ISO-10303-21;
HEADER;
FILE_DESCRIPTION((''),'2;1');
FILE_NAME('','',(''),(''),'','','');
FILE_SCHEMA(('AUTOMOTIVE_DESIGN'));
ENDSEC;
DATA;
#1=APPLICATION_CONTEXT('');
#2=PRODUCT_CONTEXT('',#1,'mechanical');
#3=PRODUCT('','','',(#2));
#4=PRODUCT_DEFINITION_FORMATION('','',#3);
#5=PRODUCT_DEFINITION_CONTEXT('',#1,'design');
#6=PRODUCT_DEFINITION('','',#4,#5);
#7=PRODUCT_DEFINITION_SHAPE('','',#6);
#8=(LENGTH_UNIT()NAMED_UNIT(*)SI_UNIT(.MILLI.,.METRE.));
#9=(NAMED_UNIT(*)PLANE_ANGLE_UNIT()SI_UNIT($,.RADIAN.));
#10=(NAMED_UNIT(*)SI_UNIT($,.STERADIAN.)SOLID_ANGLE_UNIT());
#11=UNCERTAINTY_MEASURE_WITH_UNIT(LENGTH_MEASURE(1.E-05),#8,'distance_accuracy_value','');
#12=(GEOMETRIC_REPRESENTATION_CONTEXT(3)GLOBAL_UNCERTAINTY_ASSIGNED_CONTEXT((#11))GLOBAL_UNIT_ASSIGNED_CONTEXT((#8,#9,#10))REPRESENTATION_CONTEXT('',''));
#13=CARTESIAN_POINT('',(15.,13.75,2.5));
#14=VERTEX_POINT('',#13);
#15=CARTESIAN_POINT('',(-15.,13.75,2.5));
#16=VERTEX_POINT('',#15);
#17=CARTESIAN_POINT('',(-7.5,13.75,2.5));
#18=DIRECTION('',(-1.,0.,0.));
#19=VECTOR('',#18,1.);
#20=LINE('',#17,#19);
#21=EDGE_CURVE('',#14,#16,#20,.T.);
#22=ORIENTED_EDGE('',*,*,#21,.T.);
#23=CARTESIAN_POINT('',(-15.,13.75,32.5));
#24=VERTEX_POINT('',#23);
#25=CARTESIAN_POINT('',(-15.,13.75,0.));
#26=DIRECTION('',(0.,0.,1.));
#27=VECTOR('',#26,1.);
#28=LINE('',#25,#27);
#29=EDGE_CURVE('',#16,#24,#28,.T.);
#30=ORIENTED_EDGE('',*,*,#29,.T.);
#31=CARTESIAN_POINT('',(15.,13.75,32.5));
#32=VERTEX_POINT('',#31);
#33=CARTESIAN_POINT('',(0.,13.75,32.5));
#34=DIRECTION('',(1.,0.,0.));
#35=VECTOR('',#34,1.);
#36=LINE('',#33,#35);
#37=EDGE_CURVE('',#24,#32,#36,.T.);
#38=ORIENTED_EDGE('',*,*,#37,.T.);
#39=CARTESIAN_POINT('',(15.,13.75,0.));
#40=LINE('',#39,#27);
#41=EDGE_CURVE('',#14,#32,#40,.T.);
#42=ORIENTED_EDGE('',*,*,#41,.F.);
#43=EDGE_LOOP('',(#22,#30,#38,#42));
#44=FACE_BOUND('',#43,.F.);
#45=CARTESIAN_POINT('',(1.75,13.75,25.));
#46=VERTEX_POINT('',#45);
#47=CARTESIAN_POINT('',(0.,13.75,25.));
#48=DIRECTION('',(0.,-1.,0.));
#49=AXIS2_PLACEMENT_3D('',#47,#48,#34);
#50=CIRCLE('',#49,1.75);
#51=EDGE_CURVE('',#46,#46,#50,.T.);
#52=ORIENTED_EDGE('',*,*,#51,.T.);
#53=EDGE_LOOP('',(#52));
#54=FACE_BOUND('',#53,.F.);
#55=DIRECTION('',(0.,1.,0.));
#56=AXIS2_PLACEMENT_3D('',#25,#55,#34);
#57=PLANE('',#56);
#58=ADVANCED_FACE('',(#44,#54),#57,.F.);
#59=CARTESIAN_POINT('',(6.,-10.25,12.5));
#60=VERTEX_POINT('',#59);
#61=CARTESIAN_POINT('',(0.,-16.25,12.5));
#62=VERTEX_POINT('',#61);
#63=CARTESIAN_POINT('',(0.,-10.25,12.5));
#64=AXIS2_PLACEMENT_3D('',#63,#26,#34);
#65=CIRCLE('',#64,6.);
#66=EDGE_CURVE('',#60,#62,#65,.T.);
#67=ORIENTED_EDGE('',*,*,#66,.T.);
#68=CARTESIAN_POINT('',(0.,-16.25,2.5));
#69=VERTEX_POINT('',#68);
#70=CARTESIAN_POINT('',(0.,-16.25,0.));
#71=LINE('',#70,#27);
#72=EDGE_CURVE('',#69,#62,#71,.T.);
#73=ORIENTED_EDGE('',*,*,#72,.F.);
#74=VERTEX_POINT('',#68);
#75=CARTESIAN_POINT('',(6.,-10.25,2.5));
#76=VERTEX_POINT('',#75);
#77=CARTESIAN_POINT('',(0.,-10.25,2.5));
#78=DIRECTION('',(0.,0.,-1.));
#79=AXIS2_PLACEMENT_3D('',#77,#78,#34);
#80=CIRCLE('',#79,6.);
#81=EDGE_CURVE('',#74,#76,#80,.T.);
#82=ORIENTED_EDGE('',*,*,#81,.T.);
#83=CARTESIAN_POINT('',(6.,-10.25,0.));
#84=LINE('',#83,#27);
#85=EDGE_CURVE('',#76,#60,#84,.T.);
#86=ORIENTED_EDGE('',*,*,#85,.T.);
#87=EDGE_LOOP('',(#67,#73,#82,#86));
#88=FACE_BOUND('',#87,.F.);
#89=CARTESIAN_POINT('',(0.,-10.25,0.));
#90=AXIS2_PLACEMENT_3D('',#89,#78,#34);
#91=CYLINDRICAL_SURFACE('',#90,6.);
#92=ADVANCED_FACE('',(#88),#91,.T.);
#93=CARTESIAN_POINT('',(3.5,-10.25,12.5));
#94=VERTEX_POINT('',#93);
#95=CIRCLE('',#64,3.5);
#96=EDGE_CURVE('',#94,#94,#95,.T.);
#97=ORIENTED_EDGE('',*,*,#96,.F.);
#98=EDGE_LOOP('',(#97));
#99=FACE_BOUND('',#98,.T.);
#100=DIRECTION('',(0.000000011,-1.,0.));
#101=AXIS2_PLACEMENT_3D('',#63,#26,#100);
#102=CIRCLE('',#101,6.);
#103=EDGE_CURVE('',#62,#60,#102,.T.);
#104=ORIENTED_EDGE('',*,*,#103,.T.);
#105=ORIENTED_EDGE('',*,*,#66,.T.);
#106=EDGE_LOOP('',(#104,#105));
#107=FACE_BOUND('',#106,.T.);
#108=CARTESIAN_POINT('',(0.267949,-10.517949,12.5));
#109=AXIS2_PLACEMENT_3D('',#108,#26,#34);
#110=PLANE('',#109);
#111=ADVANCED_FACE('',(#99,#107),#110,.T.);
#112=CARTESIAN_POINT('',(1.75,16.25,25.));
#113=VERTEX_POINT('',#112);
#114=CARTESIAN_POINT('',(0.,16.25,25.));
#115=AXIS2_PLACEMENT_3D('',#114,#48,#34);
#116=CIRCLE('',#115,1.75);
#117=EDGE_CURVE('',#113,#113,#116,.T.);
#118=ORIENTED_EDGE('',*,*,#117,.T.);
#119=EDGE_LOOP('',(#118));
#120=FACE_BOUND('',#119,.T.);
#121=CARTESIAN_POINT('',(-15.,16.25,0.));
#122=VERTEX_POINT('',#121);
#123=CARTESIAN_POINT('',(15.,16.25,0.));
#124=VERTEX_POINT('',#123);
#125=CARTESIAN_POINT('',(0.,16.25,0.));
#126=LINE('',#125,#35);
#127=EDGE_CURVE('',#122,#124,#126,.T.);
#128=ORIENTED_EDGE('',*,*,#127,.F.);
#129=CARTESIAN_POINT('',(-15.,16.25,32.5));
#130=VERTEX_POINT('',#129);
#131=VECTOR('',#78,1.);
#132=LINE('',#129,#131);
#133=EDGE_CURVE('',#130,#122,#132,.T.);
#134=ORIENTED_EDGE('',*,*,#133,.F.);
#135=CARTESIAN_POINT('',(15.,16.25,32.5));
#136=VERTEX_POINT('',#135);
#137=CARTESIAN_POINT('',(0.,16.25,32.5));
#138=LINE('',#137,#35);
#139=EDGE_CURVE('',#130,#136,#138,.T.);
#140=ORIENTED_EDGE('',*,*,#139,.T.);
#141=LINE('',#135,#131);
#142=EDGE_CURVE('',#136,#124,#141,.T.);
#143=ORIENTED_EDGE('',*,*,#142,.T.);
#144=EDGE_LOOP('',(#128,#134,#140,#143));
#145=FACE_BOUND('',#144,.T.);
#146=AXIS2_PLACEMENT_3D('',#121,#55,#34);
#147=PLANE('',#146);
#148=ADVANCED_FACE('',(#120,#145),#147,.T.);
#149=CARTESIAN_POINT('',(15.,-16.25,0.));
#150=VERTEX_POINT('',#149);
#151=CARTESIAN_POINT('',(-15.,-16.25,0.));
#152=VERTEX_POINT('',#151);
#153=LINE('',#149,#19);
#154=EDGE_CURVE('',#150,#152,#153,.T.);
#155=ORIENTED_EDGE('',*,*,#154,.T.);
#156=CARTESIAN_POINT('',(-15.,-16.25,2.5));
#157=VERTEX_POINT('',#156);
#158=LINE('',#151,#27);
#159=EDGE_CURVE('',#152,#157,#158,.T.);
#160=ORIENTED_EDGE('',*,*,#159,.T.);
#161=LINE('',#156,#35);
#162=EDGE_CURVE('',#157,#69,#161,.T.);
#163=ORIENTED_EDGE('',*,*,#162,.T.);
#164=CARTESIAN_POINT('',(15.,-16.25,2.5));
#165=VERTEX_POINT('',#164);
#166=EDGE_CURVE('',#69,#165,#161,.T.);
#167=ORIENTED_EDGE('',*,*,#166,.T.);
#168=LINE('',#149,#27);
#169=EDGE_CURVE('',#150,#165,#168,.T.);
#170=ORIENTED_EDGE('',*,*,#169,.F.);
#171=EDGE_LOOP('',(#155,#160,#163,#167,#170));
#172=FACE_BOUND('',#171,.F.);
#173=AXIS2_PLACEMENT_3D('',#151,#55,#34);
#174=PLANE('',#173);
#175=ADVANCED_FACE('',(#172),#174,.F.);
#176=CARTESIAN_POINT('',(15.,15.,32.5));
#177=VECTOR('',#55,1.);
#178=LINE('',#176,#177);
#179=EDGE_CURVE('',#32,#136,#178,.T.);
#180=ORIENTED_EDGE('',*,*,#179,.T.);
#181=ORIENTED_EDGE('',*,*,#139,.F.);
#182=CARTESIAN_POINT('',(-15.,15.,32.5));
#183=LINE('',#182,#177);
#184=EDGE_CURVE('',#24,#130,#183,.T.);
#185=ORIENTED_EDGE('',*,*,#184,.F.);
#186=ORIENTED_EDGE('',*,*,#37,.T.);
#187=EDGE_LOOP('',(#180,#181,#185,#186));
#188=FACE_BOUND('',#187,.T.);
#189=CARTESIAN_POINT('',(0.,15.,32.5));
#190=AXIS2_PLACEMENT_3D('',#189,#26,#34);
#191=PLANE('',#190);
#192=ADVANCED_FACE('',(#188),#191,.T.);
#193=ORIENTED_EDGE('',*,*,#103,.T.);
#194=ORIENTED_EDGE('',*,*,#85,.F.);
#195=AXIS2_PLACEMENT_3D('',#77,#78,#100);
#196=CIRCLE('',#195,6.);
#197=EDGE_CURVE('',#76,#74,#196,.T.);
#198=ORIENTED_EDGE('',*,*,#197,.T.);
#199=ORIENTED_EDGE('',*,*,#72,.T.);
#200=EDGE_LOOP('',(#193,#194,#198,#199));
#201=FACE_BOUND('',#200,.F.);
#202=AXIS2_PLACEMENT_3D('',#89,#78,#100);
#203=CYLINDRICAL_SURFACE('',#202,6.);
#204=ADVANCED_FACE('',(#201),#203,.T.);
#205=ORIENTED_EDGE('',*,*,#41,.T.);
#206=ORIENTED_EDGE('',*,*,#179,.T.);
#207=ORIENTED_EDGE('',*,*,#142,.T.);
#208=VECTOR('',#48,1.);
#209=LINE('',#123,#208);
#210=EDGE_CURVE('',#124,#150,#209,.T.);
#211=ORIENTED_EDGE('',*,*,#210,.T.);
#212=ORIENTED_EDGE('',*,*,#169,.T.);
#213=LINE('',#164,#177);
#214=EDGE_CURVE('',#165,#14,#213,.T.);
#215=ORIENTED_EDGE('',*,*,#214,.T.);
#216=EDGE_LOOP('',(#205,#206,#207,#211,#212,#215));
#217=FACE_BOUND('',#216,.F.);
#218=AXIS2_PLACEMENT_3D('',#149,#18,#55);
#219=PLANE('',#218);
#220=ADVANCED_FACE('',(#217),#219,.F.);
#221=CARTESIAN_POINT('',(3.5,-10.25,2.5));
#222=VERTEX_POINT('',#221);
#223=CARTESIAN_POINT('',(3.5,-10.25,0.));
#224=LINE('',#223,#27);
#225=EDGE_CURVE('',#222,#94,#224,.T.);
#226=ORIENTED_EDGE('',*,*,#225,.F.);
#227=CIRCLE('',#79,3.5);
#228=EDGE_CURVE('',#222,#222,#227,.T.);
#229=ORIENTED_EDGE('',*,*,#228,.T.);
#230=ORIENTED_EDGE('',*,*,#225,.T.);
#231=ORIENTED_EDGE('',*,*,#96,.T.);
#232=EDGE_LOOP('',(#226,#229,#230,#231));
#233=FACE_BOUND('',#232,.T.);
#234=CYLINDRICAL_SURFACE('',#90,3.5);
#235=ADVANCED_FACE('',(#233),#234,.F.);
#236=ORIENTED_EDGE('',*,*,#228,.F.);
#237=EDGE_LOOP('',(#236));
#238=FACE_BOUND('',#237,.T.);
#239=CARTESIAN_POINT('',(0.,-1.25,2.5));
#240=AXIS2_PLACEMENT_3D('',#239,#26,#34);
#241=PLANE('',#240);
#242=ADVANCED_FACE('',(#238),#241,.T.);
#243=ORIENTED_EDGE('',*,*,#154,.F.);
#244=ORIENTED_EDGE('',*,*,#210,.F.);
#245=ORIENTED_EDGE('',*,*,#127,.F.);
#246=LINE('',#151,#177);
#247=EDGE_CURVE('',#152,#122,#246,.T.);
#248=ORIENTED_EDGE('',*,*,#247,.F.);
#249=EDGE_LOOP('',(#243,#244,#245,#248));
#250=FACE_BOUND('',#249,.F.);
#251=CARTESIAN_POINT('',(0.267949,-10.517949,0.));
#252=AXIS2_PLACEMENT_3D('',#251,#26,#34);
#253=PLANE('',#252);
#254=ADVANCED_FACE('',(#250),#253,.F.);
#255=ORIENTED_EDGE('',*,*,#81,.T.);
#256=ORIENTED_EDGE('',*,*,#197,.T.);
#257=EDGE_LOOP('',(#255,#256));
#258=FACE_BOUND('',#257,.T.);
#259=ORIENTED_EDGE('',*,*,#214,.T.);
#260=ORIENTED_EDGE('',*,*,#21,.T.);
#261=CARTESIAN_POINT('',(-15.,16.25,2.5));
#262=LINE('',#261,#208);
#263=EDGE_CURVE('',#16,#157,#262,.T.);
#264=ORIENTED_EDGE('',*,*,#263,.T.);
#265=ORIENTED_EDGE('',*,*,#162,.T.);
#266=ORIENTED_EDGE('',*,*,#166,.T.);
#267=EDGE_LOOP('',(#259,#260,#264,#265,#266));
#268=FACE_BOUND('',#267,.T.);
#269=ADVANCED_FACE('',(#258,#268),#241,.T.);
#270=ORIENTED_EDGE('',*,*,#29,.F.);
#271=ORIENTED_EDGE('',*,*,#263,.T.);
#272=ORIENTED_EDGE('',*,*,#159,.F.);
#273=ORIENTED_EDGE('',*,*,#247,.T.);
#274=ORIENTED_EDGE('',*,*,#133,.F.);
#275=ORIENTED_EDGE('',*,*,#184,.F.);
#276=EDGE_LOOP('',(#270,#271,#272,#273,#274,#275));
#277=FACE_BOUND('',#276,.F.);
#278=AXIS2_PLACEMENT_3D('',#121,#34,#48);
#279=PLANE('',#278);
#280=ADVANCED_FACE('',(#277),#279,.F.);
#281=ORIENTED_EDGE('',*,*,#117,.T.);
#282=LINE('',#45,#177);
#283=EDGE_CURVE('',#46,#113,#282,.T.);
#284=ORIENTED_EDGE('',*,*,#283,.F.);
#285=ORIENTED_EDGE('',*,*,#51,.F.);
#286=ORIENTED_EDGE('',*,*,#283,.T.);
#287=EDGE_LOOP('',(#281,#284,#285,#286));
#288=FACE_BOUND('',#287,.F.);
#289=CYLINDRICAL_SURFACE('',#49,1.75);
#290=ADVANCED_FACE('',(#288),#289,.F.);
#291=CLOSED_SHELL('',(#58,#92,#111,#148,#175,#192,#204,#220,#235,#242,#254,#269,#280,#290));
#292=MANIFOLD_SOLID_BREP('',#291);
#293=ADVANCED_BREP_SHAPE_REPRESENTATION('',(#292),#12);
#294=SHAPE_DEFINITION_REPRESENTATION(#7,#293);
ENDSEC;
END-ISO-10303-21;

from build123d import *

# Parameters (mm, degrees)
F0_R     = 3.5
F0_W     = 30
F0_H     = 2.5
F1_DEPTH = 2.5
F2_DEPTH = 12.5
F3_DEPTH = 32.5
F4_R     = 1.75
F5_DEPTH = 2.501


with BuildPart() as f1:
    # F0 (on Top) → F1 (new body)
    with BuildSketch(Plane.XY):
        Polygon((-15, 13.75), (-15, -16.25), (6.69e-08, -16.25), (15, -16.25), (15, 13.75), align=None)
        with BuildLine():
            ThreePointArc((6, -10.25), (4.2426407108, -14.4926406635), (6.69e-08, -16.25))
            ThreePointArc((6.69e-08, -16.25), (-4.2426407108, -6.0073593365), (6, -10.25))
        make_face(mode=Mode.SUBTRACT)
        with BuildLine():
            ThreePointArc((6, -10.25), (-4.2426407108, -6.0073593365), (6.69e-08, -16.25))
            ThreePointArc((6.69e-08, -16.25), (4.2426407108, -14.4926406635), (6, -10.25))
        make_face()
        with Locations((0, -10.25)):
            Circle(F0_R, mode=Mode.SUBTRACT)
        with Locations((0, 15)):
            Rectangle(F0_W, F0_H)
        with Locations((0, -10.25)):
            Circle(F0_R)
    extrude(amount=F1_DEPTH)

    # F0 (on Top) → F2 (join)
    with BuildSketch(Plane.XY):
        with BuildLine():
            ThreePointArc((6, -10.25), (-4.2426407108, -6.0073593365), (6.69e-08, -16.25))
            ThreePointArc((6.69e-08, -16.25), (4.2426407108, -14.4926406635), (6, -10.25))
        make_face()
        with Locations((0, -10.25)):
            Circle(F0_R, mode=Mode.SUBTRACT)
    extrude(amount=F2_DEPTH)

    # F0 (on Top) → F3 (join)
    with BuildSketch(Plane.XY):
        with Locations((0, 15)):
            Rectangle(F0_W, F0_H)
    extrude(amount=F3_DEPTH)

    # F4 (on face) → F5 (cut, through all)
    with BuildSketch(Plane.XZ.offset(-13.75)):
        with Locations((0, 25)):
            Circle(F4_R)
    extrude(amount=-F5_DEPTH, mode=Mode.SUBTRACT)


solid = f1.part
